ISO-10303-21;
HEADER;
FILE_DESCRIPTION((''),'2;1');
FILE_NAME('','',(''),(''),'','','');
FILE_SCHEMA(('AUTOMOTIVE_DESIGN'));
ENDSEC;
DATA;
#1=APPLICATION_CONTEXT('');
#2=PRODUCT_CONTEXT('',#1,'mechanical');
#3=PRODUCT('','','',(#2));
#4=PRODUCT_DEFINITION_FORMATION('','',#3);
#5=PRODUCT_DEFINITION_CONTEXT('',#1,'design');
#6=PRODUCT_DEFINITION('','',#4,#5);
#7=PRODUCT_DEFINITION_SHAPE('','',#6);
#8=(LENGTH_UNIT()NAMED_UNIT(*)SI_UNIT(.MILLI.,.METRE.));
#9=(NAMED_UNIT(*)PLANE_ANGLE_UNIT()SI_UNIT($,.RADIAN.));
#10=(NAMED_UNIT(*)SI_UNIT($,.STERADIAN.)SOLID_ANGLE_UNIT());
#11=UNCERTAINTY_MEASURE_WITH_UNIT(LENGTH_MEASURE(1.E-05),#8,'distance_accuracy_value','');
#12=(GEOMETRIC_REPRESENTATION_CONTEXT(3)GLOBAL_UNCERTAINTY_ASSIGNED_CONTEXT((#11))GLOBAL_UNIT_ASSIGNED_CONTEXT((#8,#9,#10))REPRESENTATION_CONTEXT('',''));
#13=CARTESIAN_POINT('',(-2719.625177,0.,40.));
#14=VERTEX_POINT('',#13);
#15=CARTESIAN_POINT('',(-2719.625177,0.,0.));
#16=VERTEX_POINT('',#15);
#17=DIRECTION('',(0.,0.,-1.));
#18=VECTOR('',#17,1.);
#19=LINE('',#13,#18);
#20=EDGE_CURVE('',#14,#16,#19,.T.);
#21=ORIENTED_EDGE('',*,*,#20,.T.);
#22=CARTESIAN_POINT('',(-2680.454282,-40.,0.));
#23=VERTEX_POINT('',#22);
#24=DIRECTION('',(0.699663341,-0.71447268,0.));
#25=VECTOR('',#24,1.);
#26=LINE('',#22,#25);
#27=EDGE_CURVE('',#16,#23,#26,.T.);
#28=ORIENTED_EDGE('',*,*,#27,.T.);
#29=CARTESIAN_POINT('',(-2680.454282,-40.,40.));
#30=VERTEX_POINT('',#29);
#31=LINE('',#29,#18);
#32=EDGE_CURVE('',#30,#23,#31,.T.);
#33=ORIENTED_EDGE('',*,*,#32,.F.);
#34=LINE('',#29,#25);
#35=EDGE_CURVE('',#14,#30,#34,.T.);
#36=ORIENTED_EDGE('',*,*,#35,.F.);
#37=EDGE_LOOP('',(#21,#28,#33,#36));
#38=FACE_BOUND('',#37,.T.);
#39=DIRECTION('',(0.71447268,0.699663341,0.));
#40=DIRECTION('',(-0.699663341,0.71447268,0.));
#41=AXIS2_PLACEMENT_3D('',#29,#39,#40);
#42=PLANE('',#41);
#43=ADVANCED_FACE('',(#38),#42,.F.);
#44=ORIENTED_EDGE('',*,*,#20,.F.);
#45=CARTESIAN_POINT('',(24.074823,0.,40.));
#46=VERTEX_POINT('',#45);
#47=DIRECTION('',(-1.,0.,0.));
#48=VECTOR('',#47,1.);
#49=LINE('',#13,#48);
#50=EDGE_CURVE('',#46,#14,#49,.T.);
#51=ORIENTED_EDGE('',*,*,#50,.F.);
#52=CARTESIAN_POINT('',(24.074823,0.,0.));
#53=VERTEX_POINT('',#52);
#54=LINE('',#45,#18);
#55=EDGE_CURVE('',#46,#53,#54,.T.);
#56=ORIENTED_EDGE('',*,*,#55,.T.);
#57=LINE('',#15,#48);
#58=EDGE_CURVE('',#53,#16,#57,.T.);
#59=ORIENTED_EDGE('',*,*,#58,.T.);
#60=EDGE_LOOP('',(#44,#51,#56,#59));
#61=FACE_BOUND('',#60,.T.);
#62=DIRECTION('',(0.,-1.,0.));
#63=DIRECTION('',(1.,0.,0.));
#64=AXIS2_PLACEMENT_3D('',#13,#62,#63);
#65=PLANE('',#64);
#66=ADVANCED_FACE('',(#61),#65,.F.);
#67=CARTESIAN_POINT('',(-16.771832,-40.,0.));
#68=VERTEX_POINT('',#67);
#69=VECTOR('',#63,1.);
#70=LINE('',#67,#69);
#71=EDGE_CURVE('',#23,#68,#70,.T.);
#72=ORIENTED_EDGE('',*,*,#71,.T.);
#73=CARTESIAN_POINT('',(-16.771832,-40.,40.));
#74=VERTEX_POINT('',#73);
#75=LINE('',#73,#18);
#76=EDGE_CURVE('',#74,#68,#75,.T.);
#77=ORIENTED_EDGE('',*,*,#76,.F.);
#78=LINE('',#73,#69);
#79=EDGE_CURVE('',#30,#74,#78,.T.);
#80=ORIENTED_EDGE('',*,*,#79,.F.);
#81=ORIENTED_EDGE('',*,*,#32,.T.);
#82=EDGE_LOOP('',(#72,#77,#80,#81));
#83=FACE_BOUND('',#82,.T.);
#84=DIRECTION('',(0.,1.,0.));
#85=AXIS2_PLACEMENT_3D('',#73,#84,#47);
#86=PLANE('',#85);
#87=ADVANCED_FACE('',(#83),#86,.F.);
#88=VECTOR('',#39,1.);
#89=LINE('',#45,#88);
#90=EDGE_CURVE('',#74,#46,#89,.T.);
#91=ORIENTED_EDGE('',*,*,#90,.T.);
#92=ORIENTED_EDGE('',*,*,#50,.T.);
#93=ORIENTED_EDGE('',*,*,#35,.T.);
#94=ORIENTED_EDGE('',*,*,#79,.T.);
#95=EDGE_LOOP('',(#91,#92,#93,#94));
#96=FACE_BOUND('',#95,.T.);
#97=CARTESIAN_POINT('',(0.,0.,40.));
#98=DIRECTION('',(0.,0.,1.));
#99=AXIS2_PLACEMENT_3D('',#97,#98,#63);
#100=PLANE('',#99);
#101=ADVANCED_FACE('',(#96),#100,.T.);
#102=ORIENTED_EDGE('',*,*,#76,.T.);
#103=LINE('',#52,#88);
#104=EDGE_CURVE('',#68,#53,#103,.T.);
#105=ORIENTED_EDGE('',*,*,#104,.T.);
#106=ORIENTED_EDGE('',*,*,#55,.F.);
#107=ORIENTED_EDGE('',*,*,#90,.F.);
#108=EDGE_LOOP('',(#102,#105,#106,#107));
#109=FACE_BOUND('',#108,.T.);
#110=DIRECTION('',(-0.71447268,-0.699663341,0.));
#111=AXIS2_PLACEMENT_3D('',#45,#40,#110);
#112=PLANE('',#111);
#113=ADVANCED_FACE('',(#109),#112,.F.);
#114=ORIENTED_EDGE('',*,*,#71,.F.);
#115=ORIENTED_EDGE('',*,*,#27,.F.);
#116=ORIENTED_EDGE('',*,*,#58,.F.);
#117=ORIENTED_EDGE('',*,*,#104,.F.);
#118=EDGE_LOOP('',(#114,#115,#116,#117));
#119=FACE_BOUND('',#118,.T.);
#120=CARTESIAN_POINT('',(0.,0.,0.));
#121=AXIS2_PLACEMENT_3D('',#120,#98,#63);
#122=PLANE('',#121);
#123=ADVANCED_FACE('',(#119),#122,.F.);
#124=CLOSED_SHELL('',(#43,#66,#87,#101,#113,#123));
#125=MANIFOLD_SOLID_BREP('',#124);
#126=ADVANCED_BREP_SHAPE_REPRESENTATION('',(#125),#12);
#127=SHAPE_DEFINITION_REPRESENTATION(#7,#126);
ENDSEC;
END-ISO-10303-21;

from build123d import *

# Parameters (mm, degrees)
BOSS_EXTRUDE1_DEPTH = 40


with BuildPart() as part:
    # Sketch2 → Boss-Extrude1 (new body)
    with BuildSketch(Plane.XY):
        Polygon((-2719.625176516, 0), (24.074823484, 0), (-16.771831658, -40), (-2680.454282487, -40), align=None)
    extrude(amount=BOSS_EXTRUDE1_DEPTH)


solid = part.part
